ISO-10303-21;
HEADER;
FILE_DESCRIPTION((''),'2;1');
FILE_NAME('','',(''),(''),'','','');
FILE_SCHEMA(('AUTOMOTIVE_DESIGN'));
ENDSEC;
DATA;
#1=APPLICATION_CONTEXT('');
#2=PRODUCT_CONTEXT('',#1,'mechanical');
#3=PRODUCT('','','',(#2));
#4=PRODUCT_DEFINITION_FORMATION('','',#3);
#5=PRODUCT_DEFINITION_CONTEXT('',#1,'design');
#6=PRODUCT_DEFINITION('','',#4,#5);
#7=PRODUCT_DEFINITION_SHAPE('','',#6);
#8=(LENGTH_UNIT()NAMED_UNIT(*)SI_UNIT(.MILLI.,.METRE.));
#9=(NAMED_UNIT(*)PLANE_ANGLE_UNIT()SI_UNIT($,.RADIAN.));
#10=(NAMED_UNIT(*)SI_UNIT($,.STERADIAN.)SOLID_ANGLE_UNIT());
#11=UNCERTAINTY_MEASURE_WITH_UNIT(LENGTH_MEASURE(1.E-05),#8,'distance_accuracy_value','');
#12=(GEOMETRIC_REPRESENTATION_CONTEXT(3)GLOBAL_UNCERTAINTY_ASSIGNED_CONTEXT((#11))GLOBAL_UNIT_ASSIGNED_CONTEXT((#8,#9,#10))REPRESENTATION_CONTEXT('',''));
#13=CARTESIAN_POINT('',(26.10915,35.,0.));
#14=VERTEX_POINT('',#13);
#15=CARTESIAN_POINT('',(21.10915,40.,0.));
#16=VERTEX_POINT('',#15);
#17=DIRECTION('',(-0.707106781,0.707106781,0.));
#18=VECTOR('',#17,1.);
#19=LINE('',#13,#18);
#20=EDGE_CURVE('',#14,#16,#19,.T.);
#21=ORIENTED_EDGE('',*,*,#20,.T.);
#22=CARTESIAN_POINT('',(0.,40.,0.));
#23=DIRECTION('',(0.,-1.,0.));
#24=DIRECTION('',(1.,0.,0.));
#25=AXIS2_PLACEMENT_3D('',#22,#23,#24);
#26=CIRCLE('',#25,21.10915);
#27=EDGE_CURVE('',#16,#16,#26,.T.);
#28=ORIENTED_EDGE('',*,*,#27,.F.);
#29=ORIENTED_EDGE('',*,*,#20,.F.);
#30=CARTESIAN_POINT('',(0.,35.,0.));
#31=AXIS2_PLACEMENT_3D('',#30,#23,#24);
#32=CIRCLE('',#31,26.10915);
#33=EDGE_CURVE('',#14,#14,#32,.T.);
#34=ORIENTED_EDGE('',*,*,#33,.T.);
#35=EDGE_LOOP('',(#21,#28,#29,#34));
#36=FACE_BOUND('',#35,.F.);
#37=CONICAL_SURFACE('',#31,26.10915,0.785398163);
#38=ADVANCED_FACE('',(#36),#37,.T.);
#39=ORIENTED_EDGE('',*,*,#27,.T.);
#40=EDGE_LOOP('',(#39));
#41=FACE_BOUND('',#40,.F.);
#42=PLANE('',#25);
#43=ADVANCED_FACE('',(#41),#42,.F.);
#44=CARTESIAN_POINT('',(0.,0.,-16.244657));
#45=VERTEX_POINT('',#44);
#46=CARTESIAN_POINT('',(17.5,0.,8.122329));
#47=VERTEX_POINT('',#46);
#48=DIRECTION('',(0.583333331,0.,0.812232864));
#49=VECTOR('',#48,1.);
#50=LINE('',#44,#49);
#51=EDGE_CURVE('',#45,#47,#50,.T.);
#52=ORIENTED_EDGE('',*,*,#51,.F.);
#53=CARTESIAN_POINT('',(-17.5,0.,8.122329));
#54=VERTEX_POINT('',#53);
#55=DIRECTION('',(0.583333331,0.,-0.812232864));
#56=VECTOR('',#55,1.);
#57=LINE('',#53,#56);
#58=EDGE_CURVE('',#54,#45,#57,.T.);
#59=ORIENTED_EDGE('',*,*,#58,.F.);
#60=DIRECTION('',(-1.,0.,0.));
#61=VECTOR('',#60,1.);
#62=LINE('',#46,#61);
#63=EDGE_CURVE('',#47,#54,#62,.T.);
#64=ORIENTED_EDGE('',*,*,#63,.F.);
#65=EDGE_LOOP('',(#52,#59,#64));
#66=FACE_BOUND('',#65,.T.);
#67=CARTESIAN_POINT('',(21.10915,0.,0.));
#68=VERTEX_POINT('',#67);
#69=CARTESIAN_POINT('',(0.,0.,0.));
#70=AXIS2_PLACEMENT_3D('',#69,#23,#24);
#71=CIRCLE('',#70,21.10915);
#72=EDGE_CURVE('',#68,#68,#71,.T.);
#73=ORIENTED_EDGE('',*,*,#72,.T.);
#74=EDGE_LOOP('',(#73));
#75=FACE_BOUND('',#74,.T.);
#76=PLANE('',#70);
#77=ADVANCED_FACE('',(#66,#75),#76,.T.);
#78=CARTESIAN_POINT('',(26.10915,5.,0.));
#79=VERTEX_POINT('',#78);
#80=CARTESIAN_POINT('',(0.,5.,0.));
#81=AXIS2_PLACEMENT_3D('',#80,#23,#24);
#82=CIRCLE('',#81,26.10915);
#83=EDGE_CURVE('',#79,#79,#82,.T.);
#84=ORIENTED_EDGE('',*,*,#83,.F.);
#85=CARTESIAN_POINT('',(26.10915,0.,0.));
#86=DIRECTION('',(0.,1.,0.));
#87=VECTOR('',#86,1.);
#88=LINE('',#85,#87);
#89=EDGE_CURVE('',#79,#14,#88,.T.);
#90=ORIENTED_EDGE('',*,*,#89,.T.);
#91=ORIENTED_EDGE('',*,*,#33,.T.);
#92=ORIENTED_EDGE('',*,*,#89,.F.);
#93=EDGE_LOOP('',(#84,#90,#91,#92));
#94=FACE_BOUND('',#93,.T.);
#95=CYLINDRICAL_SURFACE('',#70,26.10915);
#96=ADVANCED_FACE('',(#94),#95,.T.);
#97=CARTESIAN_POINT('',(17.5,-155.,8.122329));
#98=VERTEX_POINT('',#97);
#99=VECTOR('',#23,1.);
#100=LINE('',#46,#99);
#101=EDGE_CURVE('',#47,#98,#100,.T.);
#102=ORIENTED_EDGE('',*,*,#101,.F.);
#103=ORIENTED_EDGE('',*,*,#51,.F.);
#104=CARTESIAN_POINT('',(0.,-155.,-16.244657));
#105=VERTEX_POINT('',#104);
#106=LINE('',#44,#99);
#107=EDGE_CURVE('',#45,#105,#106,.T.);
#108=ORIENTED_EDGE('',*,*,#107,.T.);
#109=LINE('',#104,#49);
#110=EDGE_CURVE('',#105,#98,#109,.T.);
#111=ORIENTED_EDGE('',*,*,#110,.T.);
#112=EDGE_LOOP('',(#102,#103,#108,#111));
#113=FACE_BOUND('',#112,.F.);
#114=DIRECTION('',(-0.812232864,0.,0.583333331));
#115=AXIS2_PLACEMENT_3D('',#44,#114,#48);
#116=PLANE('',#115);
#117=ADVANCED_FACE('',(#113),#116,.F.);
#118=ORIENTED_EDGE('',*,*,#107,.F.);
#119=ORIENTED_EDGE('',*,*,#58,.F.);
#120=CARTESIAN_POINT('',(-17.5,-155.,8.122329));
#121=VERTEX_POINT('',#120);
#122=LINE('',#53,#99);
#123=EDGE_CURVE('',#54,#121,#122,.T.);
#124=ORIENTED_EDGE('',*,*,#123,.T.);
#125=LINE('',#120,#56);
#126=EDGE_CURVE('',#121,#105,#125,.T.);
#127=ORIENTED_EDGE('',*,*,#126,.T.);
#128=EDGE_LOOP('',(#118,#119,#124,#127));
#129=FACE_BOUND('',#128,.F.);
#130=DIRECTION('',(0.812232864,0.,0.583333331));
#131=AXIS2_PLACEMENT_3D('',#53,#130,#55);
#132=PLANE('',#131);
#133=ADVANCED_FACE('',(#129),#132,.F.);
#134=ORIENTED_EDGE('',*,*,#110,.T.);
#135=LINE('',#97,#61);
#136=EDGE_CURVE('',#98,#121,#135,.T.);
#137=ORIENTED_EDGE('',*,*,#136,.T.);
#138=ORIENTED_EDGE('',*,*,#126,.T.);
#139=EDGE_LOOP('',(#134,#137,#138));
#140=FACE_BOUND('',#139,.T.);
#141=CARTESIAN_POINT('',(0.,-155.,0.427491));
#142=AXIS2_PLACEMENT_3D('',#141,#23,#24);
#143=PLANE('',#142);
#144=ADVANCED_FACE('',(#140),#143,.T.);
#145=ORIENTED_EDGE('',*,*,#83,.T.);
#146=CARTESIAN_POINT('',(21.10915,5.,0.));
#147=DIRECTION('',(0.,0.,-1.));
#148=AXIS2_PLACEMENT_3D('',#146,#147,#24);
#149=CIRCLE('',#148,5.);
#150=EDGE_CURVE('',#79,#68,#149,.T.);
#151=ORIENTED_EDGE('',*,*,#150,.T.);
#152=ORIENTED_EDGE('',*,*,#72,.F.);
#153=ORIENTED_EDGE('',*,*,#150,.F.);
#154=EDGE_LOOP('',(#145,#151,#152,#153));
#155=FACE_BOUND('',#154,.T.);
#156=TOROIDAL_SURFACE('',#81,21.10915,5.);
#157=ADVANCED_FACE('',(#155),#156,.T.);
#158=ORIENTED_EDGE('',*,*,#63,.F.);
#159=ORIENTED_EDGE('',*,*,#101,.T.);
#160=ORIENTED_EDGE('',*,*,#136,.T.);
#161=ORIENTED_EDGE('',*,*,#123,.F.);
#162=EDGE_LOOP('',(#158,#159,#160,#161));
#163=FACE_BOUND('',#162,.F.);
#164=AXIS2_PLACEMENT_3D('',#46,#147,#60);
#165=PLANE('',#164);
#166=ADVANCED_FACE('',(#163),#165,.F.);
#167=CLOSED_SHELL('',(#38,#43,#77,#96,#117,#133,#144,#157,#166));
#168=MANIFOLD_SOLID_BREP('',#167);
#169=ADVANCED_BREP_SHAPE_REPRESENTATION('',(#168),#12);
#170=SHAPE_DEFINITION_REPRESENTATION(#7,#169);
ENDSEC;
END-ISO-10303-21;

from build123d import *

# Parameters (mm, degrees)
F1_DEPTH = 155
F2_R     = 26.10915
F3_DEPTH = 40
F4_SIZE  = 5
F5_R     = 5


with BuildPart() as f1:
    # F0 (on Front) → F1 (new body)
    with BuildSketch(Plane.XZ):
        Polygon((17.5, 8.122329), (-17.5, 8.122329), (0, -16.244657), align=None)
    extrude(amount=F1_DEPTH)

    # F2 (on Front) → F3 (join)
    with BuildSketch(Plane.XZ):
        Circle(F2_R)
    extrude(amount=-F3_DEPTH)

    # F4
    f4_edges = [f1.edges().sort_by_distance(p)[0] for p in [
        (-26.10915, 40, 0),
    ]]
    chamfer(f4_edges, length=F4_SIZE)

    # F5
    f5_edges = [f1.edges().sort_by_distance(p)[0] for p in [
        (-26.10915, 0, 0),
    ]]
    fillet(f5_edges, radius=F5_R)


solid = f1.part
